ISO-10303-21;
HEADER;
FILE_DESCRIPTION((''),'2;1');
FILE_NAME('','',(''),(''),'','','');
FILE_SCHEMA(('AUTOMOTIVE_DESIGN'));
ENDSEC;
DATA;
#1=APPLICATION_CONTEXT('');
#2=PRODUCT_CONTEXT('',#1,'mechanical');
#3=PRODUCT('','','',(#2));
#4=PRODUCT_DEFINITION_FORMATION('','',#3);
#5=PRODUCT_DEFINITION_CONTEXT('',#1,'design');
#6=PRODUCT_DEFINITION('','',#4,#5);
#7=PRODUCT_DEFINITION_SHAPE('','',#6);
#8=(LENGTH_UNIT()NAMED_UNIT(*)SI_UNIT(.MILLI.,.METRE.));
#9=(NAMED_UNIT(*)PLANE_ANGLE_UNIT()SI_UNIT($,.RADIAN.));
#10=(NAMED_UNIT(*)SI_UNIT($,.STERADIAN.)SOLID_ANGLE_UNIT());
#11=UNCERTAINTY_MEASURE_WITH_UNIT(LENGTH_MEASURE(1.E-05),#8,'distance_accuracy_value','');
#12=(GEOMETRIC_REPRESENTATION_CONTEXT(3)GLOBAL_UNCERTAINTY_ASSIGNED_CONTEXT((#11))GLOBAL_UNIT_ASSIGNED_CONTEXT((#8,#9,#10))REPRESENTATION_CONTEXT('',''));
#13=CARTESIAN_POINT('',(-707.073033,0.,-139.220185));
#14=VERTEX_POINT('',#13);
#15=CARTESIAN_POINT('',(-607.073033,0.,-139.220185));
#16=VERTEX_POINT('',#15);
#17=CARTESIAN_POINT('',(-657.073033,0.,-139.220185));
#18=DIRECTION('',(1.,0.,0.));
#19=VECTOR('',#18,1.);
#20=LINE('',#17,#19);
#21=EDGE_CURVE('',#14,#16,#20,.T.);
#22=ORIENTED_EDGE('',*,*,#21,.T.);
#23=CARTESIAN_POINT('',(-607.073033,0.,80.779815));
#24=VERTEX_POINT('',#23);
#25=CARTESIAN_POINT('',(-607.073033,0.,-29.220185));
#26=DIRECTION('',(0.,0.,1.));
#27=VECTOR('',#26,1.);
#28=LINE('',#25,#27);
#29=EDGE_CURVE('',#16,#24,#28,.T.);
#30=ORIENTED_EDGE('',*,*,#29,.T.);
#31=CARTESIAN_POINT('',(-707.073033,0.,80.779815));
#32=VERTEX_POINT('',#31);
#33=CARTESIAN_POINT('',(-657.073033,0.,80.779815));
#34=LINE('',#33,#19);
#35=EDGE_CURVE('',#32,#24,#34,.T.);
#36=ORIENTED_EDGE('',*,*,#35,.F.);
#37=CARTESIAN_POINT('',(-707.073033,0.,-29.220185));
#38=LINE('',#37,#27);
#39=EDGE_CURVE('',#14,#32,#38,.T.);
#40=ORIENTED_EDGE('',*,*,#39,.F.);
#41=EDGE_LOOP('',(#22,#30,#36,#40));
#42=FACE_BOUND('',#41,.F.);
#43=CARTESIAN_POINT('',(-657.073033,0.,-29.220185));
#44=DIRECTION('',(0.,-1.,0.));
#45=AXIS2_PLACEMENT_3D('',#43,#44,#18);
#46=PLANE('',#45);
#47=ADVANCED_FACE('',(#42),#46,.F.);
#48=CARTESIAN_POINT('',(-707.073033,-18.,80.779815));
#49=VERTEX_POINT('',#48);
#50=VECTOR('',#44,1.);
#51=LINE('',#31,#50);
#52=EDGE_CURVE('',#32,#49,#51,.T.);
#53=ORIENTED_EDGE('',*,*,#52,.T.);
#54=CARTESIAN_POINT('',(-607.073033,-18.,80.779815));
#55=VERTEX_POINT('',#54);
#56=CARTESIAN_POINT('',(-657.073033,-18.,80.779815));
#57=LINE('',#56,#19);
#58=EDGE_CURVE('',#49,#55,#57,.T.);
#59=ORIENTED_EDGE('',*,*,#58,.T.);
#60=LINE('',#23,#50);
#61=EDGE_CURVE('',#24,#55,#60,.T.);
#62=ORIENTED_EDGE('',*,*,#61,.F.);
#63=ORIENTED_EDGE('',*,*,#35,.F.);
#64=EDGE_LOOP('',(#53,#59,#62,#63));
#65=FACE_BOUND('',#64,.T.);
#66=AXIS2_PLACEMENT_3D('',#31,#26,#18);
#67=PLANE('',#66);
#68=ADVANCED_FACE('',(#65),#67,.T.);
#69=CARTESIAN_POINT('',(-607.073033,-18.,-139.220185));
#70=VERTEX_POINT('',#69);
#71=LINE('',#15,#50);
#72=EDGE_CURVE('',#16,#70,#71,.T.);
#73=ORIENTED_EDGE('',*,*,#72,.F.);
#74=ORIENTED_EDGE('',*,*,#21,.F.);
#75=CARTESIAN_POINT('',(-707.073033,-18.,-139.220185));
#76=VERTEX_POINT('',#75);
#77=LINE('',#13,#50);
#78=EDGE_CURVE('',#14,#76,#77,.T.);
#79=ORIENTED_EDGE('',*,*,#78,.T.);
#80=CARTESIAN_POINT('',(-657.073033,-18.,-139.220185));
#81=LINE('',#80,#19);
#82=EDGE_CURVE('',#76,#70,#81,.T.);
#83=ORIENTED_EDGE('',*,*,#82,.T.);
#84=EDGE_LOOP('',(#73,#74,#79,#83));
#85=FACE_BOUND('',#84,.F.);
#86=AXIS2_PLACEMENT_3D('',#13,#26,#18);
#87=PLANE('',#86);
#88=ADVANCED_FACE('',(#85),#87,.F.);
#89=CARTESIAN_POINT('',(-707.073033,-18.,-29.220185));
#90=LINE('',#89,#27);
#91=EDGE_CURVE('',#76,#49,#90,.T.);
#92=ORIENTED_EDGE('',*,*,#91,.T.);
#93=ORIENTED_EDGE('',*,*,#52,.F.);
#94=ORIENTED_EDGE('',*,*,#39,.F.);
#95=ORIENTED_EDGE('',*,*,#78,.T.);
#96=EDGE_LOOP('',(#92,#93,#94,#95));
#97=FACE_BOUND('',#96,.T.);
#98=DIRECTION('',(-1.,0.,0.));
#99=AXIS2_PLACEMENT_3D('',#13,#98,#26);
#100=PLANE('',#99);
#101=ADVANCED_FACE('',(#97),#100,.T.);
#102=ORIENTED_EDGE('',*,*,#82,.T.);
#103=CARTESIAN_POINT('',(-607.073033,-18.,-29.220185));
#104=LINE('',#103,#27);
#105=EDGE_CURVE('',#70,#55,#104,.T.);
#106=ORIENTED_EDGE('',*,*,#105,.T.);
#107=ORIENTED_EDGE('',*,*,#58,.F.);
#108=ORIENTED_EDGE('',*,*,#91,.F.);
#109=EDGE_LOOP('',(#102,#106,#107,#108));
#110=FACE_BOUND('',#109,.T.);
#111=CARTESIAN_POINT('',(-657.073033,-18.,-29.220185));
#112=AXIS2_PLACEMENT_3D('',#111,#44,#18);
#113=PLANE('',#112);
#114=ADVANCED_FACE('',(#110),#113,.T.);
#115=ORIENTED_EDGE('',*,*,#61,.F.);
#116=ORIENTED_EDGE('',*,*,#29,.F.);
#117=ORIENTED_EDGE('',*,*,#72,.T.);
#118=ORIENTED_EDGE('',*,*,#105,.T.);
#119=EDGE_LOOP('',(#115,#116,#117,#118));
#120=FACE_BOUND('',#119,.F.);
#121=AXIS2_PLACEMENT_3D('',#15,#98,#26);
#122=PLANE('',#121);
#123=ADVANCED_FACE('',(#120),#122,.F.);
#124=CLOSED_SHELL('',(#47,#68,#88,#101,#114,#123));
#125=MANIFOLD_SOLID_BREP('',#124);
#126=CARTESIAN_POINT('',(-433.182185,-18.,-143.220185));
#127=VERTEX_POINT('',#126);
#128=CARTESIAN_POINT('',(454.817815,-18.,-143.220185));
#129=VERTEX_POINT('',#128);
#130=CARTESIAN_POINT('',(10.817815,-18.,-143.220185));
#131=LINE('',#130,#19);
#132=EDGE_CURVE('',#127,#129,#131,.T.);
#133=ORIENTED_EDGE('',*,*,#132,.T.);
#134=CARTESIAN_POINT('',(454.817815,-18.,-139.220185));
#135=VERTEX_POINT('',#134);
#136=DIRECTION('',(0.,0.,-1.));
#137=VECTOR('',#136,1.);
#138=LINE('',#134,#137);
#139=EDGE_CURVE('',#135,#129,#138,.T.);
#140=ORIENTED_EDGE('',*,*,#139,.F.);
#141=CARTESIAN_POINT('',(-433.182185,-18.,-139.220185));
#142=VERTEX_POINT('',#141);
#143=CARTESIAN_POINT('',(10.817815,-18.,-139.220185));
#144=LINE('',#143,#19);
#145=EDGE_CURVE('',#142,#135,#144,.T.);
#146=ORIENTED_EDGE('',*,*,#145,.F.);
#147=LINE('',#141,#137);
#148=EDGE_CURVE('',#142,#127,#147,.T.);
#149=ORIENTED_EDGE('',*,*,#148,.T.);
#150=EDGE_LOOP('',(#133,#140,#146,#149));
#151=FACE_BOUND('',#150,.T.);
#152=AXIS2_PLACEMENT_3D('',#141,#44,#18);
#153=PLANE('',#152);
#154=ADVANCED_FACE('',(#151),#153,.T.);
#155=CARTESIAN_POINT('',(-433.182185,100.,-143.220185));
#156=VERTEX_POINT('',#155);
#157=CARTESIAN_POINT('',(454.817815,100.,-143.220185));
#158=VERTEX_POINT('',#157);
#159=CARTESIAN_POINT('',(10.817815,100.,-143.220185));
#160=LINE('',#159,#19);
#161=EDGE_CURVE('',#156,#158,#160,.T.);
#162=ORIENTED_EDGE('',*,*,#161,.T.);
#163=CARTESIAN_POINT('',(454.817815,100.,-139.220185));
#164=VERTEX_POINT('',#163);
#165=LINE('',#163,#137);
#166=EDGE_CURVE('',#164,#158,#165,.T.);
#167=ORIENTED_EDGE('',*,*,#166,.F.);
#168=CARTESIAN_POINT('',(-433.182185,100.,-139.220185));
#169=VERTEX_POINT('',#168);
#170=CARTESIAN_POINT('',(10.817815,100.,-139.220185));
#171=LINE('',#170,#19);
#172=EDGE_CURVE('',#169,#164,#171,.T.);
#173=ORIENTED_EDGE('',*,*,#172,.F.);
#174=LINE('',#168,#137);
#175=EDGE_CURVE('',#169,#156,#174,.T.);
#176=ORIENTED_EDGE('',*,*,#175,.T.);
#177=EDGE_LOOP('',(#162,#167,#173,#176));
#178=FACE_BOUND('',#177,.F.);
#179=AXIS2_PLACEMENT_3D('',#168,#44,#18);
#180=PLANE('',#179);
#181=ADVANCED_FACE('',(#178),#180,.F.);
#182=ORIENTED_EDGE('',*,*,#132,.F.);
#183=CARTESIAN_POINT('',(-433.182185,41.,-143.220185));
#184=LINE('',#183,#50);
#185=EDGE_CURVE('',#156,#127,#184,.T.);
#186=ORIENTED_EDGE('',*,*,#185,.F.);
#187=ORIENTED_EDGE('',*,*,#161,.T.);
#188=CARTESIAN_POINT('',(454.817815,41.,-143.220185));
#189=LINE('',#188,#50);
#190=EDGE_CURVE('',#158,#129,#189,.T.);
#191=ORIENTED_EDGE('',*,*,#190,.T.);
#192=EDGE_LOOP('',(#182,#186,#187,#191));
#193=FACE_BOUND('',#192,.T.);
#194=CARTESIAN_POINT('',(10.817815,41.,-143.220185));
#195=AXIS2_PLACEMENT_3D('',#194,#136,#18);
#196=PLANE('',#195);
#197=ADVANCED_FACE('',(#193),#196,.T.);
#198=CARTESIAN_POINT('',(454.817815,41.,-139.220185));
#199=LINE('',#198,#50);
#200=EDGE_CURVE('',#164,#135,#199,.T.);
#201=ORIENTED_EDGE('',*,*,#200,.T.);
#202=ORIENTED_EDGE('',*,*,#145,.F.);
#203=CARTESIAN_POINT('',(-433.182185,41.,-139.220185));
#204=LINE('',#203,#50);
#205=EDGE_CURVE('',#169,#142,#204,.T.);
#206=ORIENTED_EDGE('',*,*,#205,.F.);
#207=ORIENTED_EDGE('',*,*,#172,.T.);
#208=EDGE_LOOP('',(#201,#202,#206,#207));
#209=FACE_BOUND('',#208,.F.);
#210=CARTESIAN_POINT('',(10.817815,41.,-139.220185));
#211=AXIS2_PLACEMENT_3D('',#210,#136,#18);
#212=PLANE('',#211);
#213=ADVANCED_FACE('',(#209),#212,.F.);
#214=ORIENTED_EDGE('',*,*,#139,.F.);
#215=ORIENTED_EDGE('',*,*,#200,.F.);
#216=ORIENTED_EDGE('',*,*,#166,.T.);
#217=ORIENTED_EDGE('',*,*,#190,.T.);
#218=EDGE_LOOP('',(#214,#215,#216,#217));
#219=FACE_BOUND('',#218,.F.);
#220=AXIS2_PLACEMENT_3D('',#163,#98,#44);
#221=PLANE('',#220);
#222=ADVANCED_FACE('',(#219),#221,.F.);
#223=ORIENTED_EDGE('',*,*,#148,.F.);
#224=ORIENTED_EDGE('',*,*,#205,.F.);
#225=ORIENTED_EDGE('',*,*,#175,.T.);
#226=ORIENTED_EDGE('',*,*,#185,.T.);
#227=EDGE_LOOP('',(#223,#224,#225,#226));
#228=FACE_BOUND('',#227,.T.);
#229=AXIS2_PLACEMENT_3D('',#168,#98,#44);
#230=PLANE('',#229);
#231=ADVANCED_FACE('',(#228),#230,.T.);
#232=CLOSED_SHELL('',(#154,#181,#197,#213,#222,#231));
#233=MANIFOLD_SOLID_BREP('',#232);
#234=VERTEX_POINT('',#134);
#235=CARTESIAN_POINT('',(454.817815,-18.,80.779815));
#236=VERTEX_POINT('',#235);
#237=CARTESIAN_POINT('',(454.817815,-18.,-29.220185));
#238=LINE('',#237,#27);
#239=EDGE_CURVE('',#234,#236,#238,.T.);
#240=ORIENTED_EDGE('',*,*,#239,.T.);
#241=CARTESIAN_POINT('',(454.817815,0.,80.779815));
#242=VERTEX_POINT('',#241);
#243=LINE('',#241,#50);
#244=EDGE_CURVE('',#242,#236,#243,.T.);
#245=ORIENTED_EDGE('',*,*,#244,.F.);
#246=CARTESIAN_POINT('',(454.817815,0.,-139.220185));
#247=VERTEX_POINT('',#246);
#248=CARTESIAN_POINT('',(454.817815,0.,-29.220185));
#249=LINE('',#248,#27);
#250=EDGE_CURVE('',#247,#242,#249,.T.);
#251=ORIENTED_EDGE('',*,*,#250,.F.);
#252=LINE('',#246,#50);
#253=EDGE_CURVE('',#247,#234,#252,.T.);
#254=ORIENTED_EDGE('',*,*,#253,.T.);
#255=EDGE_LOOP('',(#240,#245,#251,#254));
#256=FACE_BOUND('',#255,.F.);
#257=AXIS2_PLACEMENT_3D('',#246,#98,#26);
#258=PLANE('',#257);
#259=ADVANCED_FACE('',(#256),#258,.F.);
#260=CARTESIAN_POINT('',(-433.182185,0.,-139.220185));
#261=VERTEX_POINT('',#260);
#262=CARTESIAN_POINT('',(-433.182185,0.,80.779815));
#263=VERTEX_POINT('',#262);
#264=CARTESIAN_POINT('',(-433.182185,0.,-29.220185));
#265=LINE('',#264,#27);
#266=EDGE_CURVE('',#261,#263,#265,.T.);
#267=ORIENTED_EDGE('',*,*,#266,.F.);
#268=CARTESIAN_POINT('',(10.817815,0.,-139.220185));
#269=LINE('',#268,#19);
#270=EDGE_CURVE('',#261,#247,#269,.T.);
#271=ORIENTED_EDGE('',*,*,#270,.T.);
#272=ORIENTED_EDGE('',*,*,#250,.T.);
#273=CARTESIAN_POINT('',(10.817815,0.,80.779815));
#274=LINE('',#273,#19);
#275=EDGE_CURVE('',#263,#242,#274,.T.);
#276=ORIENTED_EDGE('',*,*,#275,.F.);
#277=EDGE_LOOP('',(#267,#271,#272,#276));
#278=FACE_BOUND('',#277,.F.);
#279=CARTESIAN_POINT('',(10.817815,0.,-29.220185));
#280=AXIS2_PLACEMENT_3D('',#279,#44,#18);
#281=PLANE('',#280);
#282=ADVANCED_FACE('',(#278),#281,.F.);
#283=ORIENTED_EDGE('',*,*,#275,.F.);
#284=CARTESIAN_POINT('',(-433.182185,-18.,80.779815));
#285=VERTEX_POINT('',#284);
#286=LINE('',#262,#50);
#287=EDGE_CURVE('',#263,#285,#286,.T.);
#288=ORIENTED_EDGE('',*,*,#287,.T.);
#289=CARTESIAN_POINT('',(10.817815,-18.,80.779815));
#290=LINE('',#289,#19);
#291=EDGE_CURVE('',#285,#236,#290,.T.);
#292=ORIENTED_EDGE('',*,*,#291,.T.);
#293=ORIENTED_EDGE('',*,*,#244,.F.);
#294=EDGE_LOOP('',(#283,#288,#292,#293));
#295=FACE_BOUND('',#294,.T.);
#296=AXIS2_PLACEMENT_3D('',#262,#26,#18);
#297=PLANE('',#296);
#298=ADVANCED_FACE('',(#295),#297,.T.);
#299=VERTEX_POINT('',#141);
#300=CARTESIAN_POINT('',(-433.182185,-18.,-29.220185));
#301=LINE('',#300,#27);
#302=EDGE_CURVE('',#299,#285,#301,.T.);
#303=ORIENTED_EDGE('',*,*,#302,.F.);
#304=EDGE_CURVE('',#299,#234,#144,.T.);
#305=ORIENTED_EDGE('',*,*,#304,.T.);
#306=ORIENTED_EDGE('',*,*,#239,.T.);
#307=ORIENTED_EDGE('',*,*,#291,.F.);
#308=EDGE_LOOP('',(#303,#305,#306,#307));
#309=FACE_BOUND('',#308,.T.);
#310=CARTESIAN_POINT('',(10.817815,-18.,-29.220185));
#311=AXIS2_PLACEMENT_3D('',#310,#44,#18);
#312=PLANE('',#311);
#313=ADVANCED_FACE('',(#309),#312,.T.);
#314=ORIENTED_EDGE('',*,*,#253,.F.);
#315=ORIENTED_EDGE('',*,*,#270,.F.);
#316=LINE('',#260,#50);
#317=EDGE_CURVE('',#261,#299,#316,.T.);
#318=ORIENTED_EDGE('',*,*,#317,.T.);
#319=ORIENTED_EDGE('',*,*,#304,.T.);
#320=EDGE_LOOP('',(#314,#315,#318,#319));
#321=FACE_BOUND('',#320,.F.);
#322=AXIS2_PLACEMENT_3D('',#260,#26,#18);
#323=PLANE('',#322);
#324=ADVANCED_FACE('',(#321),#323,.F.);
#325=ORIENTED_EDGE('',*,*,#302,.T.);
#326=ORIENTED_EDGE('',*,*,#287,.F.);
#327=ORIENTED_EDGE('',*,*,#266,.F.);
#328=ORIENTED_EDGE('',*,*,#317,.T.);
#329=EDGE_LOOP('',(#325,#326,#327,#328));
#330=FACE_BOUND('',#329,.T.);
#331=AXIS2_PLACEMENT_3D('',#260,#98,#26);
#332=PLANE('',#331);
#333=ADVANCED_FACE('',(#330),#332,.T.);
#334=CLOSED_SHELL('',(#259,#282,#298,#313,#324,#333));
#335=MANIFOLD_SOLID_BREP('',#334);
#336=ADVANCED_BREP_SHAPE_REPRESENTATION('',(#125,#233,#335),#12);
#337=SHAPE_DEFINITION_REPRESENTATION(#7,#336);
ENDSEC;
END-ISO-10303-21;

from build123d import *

# Parameters (mm, degrees)
F0_W     = 888
F0_H     = 220
F0_W_2   = 100
F1_DEPTH = 18
F2_W     = 888
F2_H     = 118
F3_DEPTH = 4


with BuildPart() as f1:
    # F0 (on Front) → F1 (new body)
    with BuildSketch(Plane.XZ):
        with Locations((10.817815, -29.220185)):
            Rectangle(F0_W, F0_H)
        with Locations((-657.073033, -29.220185)):
            Rectangle(F0_W_2, F0_H)
    extrude(amount=F1_DEPTH)


with BuildPart() as f3:
    # F2 (on face) → F3 (new body)
    with BuildSketch(Plane(origin=(0, 0, -139.220185), x_dir=(1, 0, 0), z_dir=(0, 0, -1))):
        with Locations((10.817815, -41)):
            Rectangle(F2_W, F2_H)
    extrude(amount=F3_DEPTH)


solid = Compound([f1.part, f3.part])
